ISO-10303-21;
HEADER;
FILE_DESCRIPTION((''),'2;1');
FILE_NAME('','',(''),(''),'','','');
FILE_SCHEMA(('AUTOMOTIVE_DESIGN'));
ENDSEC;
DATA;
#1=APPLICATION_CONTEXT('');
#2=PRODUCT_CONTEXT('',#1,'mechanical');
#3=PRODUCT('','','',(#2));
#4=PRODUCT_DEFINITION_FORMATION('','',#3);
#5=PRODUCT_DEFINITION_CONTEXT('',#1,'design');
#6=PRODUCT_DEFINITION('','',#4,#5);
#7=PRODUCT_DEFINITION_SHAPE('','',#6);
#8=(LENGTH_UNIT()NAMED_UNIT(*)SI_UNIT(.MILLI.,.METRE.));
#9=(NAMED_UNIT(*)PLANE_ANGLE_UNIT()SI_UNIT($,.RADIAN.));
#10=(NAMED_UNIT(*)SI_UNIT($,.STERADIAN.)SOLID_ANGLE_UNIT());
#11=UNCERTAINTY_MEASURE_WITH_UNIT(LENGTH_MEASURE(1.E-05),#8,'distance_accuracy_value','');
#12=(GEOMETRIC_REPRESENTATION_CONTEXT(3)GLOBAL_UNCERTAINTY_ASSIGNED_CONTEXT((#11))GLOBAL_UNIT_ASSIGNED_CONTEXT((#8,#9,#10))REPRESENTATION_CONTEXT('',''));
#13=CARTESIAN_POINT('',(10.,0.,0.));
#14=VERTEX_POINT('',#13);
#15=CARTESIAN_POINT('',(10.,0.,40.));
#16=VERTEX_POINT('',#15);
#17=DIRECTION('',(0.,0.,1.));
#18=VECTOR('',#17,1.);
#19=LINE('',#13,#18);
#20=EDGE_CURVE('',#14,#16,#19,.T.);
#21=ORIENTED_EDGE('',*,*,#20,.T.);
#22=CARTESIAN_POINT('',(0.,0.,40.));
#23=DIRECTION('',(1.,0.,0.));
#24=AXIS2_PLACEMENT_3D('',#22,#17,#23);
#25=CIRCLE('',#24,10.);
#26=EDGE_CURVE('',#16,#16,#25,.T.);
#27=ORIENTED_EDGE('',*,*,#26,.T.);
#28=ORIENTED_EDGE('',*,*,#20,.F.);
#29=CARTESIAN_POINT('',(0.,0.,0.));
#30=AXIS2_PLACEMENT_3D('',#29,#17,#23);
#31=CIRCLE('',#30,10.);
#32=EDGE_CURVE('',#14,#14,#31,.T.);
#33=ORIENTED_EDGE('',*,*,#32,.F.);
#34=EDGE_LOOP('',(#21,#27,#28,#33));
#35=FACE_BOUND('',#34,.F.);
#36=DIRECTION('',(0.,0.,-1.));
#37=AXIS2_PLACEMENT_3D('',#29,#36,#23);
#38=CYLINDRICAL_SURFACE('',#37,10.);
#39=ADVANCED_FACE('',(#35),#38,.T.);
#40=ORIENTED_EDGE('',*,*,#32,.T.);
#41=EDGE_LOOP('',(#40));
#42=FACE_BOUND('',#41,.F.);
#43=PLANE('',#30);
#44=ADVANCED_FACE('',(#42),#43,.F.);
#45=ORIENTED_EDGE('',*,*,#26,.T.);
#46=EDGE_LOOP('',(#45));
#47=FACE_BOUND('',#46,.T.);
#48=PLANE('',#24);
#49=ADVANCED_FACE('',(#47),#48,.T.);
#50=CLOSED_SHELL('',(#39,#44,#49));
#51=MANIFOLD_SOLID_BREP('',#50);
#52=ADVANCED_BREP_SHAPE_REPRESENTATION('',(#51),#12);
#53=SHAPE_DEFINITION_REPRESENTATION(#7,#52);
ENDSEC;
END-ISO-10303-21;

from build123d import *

# Parameters (mm, degrees)
SKETCH1_R      = 10
EXTRUDE1_DEPTH = 40


with BuildPart() as part:
    # Sketch1 → Extrude1 (new body)
    with BuildSketch(Plane.XY):
        Circle(SKETCH1_R)
    extrude(amount=EXTRUDE1_DEPTH)


solid = part.part
